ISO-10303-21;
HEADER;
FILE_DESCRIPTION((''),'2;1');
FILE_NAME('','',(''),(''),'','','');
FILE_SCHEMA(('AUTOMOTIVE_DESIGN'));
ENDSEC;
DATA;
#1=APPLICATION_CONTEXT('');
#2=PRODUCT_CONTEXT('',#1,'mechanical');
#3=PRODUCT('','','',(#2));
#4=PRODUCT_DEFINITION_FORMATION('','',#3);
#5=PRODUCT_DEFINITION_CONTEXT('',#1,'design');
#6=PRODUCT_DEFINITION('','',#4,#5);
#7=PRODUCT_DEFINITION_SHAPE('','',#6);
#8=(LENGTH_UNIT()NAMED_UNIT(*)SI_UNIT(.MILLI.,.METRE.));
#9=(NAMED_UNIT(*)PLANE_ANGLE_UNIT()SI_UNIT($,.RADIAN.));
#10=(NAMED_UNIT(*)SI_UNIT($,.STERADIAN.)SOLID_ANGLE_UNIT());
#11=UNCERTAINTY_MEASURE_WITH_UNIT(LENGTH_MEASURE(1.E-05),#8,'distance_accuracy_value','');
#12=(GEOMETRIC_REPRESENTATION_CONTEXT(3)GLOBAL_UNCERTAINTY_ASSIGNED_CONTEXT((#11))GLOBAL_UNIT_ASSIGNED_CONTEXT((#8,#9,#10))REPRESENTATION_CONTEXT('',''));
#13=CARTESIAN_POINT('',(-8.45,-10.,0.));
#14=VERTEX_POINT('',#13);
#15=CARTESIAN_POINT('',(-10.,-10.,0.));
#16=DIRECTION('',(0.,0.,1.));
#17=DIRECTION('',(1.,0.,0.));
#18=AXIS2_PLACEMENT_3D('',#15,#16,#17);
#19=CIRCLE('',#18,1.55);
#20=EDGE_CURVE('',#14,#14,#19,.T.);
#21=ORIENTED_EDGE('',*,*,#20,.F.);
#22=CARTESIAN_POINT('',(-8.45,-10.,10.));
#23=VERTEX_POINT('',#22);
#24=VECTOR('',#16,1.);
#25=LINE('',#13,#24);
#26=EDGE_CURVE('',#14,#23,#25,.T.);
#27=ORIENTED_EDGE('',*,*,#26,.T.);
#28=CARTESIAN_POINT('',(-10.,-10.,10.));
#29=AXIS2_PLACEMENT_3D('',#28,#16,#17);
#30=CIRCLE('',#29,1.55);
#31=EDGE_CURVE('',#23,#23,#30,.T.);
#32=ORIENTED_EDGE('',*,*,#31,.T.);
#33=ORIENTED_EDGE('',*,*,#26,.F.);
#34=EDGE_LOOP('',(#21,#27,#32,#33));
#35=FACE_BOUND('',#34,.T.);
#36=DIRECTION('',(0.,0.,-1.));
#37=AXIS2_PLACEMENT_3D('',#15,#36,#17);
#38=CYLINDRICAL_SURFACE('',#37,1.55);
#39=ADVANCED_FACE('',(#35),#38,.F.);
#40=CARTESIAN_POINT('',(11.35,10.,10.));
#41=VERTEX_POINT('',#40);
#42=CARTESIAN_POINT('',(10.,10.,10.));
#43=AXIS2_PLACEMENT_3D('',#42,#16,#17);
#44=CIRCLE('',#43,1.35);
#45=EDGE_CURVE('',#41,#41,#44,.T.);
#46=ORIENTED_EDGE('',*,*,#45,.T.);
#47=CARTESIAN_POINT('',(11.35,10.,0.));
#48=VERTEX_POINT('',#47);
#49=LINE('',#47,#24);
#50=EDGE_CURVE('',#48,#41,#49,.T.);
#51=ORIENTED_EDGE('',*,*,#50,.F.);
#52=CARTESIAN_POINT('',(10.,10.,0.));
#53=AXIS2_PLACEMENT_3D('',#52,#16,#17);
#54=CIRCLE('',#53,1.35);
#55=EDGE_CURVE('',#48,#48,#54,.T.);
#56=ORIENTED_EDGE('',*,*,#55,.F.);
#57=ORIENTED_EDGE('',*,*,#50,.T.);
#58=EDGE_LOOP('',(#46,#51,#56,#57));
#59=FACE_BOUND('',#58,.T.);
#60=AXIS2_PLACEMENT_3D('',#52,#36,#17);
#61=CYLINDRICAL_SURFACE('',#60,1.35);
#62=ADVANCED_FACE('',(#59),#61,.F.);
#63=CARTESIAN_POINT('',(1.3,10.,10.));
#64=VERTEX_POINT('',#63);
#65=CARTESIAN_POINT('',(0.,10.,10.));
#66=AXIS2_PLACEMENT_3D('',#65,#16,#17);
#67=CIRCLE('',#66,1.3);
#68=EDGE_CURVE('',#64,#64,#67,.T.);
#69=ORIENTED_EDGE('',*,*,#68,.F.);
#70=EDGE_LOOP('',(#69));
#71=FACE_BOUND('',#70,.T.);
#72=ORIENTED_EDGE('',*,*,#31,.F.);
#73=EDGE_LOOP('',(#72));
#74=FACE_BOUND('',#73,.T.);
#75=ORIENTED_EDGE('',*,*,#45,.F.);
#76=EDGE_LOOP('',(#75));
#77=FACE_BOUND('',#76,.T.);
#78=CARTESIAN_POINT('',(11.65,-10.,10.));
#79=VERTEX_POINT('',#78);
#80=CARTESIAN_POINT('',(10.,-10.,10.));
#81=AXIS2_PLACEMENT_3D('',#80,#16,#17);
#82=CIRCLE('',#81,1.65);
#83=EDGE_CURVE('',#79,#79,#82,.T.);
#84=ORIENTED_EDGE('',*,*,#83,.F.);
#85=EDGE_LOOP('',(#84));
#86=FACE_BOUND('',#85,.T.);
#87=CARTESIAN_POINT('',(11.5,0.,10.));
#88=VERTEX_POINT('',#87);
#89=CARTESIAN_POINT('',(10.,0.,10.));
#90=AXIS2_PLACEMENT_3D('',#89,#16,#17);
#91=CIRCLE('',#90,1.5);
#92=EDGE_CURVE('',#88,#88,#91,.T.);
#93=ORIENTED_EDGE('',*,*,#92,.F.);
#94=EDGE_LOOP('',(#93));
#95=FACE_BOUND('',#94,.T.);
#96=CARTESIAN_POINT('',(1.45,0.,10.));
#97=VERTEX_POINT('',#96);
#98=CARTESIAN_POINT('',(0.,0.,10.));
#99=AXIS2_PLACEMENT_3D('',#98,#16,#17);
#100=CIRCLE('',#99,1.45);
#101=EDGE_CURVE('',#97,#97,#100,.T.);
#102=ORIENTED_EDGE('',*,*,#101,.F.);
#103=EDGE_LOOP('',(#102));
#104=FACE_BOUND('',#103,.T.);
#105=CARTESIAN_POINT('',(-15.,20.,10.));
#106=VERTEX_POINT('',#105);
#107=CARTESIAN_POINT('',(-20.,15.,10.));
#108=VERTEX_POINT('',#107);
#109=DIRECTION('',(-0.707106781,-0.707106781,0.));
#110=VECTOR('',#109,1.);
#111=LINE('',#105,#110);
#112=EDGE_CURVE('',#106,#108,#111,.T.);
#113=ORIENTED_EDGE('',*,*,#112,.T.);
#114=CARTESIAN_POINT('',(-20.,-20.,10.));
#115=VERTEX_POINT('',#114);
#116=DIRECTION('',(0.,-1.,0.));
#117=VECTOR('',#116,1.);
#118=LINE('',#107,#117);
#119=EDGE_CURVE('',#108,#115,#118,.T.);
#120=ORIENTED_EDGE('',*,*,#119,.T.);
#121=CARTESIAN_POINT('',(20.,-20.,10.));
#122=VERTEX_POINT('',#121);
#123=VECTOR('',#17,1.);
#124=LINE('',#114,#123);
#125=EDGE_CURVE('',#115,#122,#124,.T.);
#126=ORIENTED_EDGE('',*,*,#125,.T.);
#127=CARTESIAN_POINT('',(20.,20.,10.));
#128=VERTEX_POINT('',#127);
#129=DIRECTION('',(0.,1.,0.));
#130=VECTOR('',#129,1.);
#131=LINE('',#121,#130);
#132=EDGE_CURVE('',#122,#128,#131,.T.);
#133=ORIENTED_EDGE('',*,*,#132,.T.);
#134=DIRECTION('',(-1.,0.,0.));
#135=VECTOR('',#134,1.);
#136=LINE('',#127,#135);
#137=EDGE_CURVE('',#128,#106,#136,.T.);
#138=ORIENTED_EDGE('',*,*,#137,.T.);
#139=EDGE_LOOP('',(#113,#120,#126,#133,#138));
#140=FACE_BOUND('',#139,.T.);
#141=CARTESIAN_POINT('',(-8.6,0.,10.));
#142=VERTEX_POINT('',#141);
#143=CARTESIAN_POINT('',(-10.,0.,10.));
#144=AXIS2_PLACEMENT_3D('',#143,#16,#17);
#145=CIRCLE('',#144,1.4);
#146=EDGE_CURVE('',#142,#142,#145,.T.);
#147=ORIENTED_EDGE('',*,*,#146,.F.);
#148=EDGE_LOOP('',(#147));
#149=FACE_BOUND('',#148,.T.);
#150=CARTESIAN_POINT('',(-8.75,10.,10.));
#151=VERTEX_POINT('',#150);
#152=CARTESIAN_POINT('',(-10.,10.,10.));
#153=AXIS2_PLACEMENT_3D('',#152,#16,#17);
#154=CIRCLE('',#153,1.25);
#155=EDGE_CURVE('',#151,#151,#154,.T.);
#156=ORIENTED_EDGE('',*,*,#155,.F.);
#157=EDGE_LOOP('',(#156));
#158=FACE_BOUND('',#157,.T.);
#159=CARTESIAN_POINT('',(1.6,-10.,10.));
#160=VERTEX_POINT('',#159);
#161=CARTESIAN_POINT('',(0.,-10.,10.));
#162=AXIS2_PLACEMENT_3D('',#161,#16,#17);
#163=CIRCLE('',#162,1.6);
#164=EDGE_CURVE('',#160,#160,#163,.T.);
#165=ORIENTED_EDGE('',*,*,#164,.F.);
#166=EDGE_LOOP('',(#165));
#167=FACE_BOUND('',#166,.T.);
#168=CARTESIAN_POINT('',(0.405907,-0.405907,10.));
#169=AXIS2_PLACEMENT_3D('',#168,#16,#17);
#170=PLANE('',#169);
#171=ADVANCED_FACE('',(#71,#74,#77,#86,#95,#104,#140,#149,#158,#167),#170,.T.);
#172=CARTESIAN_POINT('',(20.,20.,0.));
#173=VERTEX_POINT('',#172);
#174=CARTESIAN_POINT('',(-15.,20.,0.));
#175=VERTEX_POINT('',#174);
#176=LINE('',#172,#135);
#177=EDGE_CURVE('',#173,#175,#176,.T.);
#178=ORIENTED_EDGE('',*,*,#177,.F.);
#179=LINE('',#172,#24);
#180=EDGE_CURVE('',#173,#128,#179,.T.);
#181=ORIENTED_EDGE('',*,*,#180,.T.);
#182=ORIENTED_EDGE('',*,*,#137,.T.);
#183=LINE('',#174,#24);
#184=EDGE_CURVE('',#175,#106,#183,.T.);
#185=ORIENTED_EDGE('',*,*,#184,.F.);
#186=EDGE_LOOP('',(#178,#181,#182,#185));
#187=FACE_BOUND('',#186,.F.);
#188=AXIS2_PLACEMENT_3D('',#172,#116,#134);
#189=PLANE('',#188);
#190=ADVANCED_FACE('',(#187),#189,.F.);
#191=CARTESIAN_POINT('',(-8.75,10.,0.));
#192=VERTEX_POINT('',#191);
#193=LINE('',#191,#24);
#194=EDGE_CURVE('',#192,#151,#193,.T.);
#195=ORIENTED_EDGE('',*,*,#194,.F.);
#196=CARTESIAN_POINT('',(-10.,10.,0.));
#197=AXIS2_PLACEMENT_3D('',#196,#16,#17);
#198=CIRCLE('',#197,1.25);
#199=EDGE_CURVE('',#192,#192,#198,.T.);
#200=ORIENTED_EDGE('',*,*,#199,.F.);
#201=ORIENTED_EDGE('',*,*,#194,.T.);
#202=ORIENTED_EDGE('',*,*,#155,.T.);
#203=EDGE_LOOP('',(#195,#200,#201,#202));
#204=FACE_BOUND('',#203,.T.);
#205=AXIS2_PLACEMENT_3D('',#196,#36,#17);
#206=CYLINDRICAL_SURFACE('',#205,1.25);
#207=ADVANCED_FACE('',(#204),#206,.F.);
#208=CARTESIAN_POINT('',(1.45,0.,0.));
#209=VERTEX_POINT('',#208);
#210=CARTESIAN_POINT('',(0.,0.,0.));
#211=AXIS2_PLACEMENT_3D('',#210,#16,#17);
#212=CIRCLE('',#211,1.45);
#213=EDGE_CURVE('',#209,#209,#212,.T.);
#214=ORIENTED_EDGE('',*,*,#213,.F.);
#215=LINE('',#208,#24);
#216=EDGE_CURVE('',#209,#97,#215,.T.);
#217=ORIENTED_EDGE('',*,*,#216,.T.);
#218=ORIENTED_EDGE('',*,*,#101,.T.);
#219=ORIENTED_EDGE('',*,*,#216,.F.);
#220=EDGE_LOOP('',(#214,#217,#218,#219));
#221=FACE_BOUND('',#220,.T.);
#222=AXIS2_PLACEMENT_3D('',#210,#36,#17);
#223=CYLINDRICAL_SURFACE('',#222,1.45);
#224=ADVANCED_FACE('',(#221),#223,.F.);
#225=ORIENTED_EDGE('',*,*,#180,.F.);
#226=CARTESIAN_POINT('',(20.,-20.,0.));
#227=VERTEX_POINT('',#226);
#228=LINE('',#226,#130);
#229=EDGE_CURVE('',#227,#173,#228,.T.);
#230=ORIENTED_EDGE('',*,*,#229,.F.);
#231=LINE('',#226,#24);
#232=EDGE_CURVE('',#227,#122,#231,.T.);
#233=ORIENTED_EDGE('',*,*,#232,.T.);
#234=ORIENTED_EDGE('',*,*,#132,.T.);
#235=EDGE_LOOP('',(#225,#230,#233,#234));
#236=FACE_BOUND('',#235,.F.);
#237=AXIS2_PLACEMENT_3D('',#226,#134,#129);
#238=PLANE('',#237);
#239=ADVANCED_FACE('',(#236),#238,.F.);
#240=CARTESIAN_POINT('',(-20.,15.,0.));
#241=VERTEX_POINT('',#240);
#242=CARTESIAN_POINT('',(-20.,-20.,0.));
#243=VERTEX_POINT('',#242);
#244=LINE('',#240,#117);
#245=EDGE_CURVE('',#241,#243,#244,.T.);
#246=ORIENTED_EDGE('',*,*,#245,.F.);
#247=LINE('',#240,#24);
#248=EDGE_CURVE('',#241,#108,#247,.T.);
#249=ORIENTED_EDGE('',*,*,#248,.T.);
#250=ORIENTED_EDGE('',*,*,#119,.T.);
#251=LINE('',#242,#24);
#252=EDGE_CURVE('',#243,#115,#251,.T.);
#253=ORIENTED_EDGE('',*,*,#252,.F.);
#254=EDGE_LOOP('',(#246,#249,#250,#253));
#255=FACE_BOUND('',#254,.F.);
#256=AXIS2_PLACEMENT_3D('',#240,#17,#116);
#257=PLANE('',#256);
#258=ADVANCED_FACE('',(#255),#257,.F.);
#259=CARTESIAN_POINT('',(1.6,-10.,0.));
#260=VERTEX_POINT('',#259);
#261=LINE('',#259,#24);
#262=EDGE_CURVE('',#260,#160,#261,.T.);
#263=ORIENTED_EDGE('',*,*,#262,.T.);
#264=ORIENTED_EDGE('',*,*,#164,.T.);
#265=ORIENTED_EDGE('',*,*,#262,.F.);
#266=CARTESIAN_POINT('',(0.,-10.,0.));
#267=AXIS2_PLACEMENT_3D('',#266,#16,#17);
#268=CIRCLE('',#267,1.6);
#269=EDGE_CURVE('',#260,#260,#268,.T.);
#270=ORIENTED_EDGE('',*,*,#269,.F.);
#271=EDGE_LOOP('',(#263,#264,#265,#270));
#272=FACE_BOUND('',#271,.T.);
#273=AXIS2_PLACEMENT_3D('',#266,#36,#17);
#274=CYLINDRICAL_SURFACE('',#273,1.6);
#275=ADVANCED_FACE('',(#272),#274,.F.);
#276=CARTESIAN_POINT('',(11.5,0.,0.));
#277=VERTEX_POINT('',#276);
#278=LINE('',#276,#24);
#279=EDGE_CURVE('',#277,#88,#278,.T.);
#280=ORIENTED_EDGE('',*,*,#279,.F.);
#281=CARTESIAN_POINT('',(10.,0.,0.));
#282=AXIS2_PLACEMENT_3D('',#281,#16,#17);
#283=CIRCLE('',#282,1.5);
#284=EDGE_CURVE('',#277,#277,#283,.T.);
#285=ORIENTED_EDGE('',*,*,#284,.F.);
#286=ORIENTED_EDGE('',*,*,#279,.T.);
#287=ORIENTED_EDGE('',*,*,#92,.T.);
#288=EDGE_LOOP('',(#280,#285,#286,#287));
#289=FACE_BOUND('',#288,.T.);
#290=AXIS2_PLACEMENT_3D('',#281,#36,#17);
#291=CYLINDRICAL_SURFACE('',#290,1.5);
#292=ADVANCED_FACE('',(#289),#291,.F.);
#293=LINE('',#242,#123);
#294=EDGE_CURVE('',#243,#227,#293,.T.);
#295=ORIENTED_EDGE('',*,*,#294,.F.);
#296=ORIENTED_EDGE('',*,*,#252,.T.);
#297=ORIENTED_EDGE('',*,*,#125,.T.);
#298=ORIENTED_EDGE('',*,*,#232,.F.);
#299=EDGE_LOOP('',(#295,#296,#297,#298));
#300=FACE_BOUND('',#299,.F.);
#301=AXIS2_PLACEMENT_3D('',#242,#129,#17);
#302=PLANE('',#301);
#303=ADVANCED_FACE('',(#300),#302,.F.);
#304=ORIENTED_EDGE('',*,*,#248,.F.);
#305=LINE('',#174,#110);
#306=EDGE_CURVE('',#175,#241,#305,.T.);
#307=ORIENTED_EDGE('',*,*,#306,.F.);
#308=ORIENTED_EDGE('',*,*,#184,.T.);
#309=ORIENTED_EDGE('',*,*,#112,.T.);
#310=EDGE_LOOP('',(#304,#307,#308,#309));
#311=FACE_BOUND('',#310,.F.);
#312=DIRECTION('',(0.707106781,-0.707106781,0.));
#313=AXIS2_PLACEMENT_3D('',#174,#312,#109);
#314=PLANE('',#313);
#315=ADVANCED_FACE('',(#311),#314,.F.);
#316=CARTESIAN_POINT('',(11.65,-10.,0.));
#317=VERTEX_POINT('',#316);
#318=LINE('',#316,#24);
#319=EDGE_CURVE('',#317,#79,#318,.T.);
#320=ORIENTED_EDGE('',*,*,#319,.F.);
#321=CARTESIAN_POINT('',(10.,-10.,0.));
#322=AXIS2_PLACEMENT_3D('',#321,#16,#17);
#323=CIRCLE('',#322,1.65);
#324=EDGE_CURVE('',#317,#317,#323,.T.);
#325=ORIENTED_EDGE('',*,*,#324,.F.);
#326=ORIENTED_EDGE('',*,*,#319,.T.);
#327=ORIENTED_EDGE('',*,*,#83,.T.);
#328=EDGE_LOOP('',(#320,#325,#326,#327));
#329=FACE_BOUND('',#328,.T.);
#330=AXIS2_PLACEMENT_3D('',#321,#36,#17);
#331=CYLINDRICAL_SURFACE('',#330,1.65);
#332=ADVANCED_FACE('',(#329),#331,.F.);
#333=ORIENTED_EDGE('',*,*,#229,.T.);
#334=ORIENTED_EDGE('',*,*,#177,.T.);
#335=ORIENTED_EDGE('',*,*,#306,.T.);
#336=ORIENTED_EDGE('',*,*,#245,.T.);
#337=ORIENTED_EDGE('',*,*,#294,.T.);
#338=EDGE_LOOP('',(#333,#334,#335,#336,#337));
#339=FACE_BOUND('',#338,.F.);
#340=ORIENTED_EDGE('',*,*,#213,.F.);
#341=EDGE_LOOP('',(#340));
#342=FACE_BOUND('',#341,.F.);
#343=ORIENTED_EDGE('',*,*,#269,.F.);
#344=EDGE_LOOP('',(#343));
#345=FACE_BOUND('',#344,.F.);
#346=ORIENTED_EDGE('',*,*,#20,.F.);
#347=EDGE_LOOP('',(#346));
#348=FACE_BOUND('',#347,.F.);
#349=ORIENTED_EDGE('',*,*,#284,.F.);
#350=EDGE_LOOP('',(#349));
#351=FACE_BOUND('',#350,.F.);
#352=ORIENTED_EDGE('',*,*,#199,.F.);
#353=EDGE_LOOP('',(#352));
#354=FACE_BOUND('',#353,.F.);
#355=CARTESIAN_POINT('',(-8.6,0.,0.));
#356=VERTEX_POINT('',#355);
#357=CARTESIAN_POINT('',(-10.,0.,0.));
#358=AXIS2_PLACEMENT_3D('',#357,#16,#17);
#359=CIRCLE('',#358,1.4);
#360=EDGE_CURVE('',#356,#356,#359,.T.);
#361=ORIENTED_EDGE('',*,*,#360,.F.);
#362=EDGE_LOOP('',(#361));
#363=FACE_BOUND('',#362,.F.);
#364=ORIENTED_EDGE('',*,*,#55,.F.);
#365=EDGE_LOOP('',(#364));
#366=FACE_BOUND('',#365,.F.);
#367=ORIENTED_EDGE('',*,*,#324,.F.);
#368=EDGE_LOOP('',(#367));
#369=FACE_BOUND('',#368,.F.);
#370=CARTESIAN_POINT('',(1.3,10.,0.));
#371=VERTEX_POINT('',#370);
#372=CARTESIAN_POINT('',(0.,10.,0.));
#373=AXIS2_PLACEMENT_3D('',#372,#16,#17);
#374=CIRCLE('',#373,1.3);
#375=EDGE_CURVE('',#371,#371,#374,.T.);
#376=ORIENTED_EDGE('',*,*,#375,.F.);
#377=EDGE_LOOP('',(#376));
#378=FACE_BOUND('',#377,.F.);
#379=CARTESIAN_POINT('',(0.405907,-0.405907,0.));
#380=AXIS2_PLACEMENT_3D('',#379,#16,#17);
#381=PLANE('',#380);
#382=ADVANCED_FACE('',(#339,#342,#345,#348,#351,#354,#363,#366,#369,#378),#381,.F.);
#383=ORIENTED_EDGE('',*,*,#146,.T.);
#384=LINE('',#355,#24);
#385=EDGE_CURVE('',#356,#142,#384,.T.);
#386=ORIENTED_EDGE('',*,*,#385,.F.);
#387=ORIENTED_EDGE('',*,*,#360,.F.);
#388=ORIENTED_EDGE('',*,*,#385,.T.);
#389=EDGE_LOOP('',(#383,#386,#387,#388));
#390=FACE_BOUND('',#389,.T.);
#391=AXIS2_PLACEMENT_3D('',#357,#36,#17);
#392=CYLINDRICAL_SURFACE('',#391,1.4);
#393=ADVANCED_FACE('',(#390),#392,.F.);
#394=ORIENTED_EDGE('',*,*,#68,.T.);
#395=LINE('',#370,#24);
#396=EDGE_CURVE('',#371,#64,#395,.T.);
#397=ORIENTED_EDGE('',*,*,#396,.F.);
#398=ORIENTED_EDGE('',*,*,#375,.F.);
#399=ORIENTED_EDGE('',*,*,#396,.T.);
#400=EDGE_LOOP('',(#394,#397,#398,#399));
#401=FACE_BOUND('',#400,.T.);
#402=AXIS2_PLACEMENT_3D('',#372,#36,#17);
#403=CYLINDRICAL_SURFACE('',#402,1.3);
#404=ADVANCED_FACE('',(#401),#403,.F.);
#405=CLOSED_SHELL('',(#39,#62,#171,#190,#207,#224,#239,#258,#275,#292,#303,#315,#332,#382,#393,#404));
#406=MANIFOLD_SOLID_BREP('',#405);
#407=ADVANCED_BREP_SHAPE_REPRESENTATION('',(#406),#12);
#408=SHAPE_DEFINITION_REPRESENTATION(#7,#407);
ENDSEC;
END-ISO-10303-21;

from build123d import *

# Parameters (mm, degrees)
F0_R     = 1.55
F0_R_2   = 1.6
F0_R_3   = 1.65
F0_R_4   = 1.4
F0_R_5   = 1.25
F0_R_6   = 1.45
F0_R_7   = 1.5
F0_R_8   = 1.3
F0_R_9   = 1.35
F1_DEPTH = 10


with BuildPart() as f1:
    # F0 (on Top) → F1 (new body)
    with BuildSketch(Plane.XY):
        Polygon((-15, 20), (-20, 15), (-20, -20), (20, -20), (20, 20), align=None)
        with Locations((-10, -10)):
            Circle(F0_R, mode=Mode.SUBTRACT)
        with Locations((0, -10)):
            Circle(F0_R_2, mode=Mode.SUBTRACT)
        with Locations((10, -10)):
            Circle(F0_R_3, mode=Mode.SUBTRACT)
        with Locations((-10, 0)):
            Circle(F0_R_4, mode=Mode.SUBTRACT)
        with Locations((-10, 10)):
            Circle(F0_R_5, mode=Mode.SUBTRACT)
        Circle(F0_R_6, mode=Mode.SUBTRACT)
        with Locations((10, 0)):
            Circle(F0_R_7, mode=Mode.SUBTRACT)
        with Locations((0, 10)):
            Circle(F0_R_8, mode=Mode.SUBTRACT)
        with Locations((10, 10)):
            Circle(F0_R_9, mode=Mode.SUBTRACT)
    extrude(amount=F1_DEPTH)


solid = f1.part
